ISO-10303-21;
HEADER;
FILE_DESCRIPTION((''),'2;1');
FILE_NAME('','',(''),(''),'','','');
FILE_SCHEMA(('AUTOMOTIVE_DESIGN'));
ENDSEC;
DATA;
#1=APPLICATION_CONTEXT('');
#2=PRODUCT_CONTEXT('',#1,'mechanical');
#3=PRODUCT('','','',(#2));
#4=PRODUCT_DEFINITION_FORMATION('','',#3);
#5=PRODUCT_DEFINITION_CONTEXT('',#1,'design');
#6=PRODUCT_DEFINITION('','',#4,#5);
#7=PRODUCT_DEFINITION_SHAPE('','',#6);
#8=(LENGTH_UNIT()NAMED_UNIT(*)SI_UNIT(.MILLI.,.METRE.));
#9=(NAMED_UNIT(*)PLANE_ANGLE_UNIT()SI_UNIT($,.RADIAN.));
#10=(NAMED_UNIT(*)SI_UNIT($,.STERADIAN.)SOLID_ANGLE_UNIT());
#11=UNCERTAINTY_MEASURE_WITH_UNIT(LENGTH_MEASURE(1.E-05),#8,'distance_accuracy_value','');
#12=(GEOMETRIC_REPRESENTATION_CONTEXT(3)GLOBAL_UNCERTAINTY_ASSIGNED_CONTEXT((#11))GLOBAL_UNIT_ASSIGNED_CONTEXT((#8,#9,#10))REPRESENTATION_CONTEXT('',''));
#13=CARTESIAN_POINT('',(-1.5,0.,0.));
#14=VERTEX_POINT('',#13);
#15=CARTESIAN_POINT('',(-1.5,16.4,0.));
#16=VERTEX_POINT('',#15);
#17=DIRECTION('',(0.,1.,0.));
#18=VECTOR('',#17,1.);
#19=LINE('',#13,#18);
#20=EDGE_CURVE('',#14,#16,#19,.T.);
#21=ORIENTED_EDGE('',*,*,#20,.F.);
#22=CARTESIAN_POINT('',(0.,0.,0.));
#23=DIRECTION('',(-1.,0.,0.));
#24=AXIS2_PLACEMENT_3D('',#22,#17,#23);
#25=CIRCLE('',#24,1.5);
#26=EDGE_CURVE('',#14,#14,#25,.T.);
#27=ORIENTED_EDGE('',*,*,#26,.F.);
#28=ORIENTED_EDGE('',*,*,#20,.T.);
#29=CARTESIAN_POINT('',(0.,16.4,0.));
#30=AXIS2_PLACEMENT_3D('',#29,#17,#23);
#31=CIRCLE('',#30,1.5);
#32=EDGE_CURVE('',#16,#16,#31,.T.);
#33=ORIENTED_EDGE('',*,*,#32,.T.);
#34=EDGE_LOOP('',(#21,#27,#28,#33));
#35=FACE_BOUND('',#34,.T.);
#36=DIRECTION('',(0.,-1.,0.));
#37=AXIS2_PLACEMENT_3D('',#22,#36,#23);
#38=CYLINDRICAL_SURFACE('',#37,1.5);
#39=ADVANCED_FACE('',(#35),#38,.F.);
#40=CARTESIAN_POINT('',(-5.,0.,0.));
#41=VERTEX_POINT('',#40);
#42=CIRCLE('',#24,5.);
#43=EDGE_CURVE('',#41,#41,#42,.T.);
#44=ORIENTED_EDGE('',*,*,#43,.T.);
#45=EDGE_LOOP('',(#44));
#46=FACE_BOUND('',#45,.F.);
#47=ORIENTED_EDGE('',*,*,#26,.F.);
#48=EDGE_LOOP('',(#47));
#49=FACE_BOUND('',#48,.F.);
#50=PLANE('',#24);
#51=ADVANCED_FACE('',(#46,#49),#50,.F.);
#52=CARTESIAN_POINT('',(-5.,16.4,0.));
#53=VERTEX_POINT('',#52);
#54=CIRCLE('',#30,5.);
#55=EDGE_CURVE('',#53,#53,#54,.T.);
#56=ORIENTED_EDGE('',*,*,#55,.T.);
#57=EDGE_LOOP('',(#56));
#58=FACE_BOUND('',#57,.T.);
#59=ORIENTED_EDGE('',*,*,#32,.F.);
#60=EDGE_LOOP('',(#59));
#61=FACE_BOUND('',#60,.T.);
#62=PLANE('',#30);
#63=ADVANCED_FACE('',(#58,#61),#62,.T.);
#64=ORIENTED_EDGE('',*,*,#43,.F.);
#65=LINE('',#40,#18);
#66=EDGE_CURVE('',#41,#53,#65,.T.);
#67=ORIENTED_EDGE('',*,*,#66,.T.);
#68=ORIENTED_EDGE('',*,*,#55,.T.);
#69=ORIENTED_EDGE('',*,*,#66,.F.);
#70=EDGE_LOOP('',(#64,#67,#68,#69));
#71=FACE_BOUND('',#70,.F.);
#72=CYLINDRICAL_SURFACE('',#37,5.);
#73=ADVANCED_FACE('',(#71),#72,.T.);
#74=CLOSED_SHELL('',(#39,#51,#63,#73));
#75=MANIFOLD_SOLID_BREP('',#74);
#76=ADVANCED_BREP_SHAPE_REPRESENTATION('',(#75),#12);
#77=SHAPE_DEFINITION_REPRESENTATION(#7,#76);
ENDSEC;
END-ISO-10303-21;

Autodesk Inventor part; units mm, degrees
ref_plane "YZ Plane" through (0, 0, 0) normal (1, 0, 0) x (0, 1, 0)
ref_plane "XZ Plane" through (0, 0, 0) normal (0, 1, 0) x (-1, 0, 0)
ref_plane "XY Plane" through (0, 0, 0) normal (0, 0, 1) x (1, 0, 0)
sketch "Sketch1" plane through (0, 0, 0) normal (0, 1, 0) x (-1, 0, 0)
  circle A0 centre (0, 0) radius 1.5
  circle A1 centre (0, 0) radius 5
  dimension "d0" = 3
  dimension "d1" = 10
extrude "Extrusion1" add sketch "Sketch1" along normal blind 16.4
properties part number "YAxisMotorBearingSpacer" material "ABS Plastic"
